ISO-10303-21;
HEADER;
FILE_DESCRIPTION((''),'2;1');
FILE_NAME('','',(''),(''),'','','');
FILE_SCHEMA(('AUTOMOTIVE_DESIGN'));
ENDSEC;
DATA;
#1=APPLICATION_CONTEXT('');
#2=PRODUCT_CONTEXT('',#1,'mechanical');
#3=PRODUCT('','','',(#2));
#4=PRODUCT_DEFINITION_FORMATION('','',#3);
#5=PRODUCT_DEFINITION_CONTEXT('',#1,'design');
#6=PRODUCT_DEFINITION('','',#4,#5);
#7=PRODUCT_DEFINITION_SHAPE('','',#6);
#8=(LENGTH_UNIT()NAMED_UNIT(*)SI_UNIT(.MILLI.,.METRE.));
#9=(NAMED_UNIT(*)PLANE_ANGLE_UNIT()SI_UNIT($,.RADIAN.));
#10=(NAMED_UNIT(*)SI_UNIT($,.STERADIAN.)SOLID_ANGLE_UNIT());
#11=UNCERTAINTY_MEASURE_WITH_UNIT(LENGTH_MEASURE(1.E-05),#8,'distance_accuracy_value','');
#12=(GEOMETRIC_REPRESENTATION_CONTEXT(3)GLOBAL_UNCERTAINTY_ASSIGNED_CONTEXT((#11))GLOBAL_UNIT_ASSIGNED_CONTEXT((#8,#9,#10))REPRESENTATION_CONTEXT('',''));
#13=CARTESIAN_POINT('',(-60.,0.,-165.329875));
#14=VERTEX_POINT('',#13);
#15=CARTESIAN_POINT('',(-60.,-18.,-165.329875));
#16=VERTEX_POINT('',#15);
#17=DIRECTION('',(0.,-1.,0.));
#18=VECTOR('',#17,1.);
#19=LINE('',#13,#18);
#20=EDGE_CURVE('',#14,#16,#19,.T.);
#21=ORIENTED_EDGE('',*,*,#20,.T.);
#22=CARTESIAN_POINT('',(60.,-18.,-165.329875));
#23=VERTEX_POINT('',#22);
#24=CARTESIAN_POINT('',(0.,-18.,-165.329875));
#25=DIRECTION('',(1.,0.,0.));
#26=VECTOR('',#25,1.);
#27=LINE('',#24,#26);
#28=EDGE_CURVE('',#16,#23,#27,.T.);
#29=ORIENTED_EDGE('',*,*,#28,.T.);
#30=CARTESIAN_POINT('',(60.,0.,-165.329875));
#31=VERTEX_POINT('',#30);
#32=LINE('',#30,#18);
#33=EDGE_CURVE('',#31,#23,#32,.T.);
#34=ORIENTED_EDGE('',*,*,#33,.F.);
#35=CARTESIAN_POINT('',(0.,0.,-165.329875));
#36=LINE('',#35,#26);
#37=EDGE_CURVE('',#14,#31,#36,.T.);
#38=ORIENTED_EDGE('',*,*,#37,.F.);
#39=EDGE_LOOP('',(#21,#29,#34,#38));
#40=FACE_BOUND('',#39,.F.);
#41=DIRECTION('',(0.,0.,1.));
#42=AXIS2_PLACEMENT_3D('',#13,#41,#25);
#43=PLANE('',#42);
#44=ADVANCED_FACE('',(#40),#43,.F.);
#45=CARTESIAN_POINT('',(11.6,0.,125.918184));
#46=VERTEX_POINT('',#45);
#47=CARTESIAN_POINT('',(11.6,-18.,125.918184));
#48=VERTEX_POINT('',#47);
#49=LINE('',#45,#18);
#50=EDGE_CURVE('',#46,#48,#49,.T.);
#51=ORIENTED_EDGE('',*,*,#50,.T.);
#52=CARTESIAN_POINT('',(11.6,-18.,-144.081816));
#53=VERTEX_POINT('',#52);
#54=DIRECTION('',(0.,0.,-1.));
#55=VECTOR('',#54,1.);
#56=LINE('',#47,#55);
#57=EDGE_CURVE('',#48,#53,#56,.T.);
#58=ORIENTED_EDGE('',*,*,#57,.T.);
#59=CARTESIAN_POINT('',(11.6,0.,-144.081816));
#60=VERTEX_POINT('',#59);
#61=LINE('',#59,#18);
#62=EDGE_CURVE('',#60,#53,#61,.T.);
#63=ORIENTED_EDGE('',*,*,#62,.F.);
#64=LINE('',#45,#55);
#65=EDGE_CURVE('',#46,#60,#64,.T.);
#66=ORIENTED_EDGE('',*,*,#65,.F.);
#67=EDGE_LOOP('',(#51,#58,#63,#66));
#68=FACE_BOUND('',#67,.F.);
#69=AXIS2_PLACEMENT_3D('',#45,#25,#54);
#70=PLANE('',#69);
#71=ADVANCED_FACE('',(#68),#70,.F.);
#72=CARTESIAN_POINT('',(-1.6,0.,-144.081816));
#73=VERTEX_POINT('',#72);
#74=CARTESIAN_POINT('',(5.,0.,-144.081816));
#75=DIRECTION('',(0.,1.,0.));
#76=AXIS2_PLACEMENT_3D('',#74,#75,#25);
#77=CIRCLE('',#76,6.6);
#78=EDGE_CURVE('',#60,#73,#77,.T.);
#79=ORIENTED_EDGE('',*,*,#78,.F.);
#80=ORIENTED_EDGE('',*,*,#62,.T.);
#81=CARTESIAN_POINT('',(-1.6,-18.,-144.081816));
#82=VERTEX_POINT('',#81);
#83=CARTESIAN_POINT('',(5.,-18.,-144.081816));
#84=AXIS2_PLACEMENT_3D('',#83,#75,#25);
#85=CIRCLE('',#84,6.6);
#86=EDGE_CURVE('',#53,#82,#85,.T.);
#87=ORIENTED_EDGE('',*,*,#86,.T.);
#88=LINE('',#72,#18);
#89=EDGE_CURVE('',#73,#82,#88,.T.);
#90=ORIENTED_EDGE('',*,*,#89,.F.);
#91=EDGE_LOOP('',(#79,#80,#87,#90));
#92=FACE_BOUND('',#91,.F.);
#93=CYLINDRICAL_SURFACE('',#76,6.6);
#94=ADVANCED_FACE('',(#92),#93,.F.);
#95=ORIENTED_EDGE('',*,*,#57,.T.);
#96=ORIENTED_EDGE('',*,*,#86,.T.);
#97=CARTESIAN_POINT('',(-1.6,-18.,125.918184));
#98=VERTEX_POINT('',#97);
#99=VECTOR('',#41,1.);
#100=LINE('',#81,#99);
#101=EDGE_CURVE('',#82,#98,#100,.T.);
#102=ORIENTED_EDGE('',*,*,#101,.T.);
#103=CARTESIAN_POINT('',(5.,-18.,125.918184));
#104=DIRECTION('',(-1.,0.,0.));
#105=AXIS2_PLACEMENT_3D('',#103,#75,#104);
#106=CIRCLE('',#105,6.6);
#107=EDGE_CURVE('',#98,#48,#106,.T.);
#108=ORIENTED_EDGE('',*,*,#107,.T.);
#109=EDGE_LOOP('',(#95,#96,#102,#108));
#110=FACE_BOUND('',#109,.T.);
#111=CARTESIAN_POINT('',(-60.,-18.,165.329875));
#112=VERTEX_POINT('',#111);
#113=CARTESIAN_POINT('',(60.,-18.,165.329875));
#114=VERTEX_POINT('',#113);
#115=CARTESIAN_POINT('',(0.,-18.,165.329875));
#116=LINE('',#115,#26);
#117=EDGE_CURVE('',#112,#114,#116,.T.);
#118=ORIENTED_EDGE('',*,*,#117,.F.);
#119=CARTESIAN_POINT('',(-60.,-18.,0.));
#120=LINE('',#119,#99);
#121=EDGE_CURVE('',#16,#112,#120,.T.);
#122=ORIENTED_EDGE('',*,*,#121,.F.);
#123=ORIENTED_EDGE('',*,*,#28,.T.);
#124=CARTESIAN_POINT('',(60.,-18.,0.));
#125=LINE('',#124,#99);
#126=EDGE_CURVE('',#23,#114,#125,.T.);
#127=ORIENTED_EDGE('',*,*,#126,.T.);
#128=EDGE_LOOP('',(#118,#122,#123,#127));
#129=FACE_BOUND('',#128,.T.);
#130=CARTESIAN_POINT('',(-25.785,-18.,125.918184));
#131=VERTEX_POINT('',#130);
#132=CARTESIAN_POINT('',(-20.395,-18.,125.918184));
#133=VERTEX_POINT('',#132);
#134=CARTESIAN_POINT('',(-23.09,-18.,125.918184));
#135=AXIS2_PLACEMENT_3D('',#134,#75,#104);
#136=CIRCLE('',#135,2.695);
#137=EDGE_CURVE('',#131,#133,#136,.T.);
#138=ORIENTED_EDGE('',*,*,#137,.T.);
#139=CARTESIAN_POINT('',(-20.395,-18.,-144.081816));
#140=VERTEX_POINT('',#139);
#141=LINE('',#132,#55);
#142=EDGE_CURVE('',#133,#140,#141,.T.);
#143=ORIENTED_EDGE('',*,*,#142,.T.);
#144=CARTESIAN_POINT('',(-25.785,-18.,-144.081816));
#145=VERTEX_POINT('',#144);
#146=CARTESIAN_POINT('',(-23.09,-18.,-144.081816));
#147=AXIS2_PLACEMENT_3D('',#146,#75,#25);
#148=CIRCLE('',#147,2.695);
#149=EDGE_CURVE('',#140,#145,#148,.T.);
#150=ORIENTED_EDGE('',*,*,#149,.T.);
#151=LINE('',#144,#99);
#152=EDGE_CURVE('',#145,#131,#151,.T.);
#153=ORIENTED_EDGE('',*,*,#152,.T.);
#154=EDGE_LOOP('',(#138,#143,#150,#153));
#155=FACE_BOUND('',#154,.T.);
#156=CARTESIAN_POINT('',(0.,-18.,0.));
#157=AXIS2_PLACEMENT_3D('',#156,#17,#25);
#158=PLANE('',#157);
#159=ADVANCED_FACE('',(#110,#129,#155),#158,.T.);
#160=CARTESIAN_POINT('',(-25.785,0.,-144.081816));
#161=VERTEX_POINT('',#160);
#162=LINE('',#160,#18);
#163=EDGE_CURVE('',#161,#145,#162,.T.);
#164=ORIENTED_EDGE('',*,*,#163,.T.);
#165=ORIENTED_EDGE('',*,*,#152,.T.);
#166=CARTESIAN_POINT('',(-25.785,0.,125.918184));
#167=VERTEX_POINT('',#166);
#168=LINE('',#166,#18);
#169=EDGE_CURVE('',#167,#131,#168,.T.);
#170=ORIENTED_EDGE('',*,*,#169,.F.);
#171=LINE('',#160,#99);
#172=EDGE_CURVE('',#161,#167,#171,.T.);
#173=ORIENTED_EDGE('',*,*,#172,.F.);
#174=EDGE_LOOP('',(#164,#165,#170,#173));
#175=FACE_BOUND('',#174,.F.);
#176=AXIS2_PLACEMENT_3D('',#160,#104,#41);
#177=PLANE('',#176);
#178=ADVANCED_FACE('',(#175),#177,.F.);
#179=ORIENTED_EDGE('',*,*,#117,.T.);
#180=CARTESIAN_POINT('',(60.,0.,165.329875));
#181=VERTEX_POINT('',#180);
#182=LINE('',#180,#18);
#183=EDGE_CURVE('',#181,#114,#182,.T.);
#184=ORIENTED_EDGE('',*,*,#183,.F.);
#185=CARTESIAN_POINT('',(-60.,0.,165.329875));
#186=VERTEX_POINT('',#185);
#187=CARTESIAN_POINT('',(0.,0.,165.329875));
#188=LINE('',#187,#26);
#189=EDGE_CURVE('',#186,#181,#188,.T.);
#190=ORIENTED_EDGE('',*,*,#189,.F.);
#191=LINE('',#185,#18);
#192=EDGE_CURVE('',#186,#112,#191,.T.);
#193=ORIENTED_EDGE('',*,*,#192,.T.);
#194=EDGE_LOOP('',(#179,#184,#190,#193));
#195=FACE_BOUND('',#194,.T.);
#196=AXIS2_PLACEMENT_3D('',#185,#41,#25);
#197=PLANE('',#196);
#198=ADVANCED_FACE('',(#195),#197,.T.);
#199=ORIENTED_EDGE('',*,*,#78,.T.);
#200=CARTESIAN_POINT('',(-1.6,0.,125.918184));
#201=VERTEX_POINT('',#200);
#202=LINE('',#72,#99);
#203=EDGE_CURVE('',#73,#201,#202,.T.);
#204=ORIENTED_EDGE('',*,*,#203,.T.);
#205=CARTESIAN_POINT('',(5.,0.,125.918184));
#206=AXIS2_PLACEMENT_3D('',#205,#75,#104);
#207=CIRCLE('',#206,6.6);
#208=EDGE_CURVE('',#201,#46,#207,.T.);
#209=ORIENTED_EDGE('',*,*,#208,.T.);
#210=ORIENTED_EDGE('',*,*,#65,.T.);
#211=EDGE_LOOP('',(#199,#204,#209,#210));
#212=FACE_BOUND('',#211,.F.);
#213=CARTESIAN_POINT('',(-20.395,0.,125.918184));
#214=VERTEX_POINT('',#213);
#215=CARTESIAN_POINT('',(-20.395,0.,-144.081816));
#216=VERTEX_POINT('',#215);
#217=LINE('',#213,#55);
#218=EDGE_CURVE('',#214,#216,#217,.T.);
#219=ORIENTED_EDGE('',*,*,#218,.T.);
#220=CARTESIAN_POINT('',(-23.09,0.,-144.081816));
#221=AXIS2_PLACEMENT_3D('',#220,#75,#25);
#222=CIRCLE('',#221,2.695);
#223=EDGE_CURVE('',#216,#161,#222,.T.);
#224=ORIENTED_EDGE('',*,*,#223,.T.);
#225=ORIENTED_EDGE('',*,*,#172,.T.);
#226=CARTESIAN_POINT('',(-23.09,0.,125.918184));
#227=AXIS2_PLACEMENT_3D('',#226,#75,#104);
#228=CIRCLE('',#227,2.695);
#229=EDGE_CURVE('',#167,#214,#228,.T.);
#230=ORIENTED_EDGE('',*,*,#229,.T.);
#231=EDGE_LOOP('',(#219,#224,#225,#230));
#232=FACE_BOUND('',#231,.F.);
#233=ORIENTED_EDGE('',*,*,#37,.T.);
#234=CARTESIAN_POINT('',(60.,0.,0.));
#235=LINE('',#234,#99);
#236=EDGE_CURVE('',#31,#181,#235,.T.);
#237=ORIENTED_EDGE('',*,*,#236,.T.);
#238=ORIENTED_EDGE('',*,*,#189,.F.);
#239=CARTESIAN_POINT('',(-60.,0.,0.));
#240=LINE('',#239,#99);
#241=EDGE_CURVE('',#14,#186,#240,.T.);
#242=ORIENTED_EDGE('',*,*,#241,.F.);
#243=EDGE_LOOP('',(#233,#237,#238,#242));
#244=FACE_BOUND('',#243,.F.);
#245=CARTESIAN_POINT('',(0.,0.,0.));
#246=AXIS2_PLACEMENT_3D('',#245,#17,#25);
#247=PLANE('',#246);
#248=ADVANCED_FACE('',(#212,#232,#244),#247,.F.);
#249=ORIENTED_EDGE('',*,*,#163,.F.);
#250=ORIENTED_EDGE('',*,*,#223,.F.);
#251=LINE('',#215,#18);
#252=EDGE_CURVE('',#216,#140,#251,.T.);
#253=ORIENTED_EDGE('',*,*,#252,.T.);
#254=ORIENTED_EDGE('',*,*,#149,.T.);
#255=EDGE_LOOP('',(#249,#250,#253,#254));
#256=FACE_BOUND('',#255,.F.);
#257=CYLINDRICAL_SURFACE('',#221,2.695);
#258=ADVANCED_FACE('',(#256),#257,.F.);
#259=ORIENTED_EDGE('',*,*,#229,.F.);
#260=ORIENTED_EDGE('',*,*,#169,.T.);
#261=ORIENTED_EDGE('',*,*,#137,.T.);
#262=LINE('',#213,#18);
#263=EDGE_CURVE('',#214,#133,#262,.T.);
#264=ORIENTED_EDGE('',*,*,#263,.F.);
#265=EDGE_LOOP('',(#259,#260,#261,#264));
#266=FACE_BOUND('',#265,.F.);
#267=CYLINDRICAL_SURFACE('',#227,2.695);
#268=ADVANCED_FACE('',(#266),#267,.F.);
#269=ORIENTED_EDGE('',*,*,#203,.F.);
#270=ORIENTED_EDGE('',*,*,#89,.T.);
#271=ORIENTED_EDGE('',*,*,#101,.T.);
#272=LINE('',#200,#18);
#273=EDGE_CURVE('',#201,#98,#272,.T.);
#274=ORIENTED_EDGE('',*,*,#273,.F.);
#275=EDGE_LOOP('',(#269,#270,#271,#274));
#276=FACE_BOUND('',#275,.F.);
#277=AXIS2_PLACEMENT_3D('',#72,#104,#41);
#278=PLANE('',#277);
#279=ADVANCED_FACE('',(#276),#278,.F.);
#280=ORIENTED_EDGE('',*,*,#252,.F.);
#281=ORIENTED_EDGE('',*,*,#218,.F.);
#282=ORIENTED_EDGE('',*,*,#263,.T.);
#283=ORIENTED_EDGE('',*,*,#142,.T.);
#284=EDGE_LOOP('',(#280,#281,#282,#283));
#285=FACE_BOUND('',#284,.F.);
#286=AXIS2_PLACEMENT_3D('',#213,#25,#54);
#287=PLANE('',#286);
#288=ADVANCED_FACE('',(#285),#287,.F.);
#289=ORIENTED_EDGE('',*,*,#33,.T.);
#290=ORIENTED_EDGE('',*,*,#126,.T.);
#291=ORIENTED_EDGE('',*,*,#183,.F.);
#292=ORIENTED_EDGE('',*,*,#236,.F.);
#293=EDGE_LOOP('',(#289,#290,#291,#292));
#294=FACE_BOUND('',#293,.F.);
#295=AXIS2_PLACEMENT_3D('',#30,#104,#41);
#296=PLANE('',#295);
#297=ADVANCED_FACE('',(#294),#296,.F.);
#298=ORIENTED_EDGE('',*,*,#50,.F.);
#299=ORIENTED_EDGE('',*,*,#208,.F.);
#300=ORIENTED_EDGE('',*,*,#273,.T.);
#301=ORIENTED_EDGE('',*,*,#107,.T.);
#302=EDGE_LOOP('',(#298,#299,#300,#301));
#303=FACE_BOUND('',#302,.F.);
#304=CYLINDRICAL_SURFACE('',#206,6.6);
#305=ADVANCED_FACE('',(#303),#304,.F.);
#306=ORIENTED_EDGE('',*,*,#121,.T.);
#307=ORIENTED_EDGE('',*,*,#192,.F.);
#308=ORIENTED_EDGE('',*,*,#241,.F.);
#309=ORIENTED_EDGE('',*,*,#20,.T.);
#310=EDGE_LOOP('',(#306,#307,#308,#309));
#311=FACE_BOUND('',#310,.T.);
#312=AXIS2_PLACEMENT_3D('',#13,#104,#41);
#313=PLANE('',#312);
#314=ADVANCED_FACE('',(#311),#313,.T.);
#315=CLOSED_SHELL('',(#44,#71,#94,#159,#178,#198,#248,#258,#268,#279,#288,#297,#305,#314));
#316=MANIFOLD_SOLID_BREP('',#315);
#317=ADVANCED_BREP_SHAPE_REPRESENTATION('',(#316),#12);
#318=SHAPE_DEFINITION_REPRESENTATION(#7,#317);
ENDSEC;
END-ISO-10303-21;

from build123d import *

# Parameters (mm, degrees)
F0_W     = 120
F0_H     = 330.65975
F1_DEPTH = 18


with BuildPart() as f1:
    # F0 (on Front) → F1 (new body)
    with BuildSketch(Plane.XZ):
        Rectangle(F0_W, F0_H)
        with BuildLine():
            ThreePointArc((-25.785, 125.918184), (-23.09, 128.613184), (-20.395, 125.918184))
            Line((-20.395, 125.918184), (-20.395, -144.081816))
            ThreePointArc((-20.395, -144.081816), (-23.09, -146.776816), (-25.785, -144.081816))
            Line((-25.785, -144.081816), (-25.785, 125.918184))
        make_face(mode=Mode.SUBTRACT)
        with BuildLine():
            ThreePointArc((-1.6, 125.918184), (5, 132.518184), (11.6, 125.918184))
            Line((11.6, 125.918184), (11.6, -144.081816))
            ThreePointArc((11.6, -144.081816), (5, -150.681816), (-1.6, -144.081816))
            Line((-1.6, -144.081816), (-1.6, 125.918184))
        make_face(mode=Mode.SUBTRACT)
    extrude(amount=F1_DEPTH)


solid = f1.part
